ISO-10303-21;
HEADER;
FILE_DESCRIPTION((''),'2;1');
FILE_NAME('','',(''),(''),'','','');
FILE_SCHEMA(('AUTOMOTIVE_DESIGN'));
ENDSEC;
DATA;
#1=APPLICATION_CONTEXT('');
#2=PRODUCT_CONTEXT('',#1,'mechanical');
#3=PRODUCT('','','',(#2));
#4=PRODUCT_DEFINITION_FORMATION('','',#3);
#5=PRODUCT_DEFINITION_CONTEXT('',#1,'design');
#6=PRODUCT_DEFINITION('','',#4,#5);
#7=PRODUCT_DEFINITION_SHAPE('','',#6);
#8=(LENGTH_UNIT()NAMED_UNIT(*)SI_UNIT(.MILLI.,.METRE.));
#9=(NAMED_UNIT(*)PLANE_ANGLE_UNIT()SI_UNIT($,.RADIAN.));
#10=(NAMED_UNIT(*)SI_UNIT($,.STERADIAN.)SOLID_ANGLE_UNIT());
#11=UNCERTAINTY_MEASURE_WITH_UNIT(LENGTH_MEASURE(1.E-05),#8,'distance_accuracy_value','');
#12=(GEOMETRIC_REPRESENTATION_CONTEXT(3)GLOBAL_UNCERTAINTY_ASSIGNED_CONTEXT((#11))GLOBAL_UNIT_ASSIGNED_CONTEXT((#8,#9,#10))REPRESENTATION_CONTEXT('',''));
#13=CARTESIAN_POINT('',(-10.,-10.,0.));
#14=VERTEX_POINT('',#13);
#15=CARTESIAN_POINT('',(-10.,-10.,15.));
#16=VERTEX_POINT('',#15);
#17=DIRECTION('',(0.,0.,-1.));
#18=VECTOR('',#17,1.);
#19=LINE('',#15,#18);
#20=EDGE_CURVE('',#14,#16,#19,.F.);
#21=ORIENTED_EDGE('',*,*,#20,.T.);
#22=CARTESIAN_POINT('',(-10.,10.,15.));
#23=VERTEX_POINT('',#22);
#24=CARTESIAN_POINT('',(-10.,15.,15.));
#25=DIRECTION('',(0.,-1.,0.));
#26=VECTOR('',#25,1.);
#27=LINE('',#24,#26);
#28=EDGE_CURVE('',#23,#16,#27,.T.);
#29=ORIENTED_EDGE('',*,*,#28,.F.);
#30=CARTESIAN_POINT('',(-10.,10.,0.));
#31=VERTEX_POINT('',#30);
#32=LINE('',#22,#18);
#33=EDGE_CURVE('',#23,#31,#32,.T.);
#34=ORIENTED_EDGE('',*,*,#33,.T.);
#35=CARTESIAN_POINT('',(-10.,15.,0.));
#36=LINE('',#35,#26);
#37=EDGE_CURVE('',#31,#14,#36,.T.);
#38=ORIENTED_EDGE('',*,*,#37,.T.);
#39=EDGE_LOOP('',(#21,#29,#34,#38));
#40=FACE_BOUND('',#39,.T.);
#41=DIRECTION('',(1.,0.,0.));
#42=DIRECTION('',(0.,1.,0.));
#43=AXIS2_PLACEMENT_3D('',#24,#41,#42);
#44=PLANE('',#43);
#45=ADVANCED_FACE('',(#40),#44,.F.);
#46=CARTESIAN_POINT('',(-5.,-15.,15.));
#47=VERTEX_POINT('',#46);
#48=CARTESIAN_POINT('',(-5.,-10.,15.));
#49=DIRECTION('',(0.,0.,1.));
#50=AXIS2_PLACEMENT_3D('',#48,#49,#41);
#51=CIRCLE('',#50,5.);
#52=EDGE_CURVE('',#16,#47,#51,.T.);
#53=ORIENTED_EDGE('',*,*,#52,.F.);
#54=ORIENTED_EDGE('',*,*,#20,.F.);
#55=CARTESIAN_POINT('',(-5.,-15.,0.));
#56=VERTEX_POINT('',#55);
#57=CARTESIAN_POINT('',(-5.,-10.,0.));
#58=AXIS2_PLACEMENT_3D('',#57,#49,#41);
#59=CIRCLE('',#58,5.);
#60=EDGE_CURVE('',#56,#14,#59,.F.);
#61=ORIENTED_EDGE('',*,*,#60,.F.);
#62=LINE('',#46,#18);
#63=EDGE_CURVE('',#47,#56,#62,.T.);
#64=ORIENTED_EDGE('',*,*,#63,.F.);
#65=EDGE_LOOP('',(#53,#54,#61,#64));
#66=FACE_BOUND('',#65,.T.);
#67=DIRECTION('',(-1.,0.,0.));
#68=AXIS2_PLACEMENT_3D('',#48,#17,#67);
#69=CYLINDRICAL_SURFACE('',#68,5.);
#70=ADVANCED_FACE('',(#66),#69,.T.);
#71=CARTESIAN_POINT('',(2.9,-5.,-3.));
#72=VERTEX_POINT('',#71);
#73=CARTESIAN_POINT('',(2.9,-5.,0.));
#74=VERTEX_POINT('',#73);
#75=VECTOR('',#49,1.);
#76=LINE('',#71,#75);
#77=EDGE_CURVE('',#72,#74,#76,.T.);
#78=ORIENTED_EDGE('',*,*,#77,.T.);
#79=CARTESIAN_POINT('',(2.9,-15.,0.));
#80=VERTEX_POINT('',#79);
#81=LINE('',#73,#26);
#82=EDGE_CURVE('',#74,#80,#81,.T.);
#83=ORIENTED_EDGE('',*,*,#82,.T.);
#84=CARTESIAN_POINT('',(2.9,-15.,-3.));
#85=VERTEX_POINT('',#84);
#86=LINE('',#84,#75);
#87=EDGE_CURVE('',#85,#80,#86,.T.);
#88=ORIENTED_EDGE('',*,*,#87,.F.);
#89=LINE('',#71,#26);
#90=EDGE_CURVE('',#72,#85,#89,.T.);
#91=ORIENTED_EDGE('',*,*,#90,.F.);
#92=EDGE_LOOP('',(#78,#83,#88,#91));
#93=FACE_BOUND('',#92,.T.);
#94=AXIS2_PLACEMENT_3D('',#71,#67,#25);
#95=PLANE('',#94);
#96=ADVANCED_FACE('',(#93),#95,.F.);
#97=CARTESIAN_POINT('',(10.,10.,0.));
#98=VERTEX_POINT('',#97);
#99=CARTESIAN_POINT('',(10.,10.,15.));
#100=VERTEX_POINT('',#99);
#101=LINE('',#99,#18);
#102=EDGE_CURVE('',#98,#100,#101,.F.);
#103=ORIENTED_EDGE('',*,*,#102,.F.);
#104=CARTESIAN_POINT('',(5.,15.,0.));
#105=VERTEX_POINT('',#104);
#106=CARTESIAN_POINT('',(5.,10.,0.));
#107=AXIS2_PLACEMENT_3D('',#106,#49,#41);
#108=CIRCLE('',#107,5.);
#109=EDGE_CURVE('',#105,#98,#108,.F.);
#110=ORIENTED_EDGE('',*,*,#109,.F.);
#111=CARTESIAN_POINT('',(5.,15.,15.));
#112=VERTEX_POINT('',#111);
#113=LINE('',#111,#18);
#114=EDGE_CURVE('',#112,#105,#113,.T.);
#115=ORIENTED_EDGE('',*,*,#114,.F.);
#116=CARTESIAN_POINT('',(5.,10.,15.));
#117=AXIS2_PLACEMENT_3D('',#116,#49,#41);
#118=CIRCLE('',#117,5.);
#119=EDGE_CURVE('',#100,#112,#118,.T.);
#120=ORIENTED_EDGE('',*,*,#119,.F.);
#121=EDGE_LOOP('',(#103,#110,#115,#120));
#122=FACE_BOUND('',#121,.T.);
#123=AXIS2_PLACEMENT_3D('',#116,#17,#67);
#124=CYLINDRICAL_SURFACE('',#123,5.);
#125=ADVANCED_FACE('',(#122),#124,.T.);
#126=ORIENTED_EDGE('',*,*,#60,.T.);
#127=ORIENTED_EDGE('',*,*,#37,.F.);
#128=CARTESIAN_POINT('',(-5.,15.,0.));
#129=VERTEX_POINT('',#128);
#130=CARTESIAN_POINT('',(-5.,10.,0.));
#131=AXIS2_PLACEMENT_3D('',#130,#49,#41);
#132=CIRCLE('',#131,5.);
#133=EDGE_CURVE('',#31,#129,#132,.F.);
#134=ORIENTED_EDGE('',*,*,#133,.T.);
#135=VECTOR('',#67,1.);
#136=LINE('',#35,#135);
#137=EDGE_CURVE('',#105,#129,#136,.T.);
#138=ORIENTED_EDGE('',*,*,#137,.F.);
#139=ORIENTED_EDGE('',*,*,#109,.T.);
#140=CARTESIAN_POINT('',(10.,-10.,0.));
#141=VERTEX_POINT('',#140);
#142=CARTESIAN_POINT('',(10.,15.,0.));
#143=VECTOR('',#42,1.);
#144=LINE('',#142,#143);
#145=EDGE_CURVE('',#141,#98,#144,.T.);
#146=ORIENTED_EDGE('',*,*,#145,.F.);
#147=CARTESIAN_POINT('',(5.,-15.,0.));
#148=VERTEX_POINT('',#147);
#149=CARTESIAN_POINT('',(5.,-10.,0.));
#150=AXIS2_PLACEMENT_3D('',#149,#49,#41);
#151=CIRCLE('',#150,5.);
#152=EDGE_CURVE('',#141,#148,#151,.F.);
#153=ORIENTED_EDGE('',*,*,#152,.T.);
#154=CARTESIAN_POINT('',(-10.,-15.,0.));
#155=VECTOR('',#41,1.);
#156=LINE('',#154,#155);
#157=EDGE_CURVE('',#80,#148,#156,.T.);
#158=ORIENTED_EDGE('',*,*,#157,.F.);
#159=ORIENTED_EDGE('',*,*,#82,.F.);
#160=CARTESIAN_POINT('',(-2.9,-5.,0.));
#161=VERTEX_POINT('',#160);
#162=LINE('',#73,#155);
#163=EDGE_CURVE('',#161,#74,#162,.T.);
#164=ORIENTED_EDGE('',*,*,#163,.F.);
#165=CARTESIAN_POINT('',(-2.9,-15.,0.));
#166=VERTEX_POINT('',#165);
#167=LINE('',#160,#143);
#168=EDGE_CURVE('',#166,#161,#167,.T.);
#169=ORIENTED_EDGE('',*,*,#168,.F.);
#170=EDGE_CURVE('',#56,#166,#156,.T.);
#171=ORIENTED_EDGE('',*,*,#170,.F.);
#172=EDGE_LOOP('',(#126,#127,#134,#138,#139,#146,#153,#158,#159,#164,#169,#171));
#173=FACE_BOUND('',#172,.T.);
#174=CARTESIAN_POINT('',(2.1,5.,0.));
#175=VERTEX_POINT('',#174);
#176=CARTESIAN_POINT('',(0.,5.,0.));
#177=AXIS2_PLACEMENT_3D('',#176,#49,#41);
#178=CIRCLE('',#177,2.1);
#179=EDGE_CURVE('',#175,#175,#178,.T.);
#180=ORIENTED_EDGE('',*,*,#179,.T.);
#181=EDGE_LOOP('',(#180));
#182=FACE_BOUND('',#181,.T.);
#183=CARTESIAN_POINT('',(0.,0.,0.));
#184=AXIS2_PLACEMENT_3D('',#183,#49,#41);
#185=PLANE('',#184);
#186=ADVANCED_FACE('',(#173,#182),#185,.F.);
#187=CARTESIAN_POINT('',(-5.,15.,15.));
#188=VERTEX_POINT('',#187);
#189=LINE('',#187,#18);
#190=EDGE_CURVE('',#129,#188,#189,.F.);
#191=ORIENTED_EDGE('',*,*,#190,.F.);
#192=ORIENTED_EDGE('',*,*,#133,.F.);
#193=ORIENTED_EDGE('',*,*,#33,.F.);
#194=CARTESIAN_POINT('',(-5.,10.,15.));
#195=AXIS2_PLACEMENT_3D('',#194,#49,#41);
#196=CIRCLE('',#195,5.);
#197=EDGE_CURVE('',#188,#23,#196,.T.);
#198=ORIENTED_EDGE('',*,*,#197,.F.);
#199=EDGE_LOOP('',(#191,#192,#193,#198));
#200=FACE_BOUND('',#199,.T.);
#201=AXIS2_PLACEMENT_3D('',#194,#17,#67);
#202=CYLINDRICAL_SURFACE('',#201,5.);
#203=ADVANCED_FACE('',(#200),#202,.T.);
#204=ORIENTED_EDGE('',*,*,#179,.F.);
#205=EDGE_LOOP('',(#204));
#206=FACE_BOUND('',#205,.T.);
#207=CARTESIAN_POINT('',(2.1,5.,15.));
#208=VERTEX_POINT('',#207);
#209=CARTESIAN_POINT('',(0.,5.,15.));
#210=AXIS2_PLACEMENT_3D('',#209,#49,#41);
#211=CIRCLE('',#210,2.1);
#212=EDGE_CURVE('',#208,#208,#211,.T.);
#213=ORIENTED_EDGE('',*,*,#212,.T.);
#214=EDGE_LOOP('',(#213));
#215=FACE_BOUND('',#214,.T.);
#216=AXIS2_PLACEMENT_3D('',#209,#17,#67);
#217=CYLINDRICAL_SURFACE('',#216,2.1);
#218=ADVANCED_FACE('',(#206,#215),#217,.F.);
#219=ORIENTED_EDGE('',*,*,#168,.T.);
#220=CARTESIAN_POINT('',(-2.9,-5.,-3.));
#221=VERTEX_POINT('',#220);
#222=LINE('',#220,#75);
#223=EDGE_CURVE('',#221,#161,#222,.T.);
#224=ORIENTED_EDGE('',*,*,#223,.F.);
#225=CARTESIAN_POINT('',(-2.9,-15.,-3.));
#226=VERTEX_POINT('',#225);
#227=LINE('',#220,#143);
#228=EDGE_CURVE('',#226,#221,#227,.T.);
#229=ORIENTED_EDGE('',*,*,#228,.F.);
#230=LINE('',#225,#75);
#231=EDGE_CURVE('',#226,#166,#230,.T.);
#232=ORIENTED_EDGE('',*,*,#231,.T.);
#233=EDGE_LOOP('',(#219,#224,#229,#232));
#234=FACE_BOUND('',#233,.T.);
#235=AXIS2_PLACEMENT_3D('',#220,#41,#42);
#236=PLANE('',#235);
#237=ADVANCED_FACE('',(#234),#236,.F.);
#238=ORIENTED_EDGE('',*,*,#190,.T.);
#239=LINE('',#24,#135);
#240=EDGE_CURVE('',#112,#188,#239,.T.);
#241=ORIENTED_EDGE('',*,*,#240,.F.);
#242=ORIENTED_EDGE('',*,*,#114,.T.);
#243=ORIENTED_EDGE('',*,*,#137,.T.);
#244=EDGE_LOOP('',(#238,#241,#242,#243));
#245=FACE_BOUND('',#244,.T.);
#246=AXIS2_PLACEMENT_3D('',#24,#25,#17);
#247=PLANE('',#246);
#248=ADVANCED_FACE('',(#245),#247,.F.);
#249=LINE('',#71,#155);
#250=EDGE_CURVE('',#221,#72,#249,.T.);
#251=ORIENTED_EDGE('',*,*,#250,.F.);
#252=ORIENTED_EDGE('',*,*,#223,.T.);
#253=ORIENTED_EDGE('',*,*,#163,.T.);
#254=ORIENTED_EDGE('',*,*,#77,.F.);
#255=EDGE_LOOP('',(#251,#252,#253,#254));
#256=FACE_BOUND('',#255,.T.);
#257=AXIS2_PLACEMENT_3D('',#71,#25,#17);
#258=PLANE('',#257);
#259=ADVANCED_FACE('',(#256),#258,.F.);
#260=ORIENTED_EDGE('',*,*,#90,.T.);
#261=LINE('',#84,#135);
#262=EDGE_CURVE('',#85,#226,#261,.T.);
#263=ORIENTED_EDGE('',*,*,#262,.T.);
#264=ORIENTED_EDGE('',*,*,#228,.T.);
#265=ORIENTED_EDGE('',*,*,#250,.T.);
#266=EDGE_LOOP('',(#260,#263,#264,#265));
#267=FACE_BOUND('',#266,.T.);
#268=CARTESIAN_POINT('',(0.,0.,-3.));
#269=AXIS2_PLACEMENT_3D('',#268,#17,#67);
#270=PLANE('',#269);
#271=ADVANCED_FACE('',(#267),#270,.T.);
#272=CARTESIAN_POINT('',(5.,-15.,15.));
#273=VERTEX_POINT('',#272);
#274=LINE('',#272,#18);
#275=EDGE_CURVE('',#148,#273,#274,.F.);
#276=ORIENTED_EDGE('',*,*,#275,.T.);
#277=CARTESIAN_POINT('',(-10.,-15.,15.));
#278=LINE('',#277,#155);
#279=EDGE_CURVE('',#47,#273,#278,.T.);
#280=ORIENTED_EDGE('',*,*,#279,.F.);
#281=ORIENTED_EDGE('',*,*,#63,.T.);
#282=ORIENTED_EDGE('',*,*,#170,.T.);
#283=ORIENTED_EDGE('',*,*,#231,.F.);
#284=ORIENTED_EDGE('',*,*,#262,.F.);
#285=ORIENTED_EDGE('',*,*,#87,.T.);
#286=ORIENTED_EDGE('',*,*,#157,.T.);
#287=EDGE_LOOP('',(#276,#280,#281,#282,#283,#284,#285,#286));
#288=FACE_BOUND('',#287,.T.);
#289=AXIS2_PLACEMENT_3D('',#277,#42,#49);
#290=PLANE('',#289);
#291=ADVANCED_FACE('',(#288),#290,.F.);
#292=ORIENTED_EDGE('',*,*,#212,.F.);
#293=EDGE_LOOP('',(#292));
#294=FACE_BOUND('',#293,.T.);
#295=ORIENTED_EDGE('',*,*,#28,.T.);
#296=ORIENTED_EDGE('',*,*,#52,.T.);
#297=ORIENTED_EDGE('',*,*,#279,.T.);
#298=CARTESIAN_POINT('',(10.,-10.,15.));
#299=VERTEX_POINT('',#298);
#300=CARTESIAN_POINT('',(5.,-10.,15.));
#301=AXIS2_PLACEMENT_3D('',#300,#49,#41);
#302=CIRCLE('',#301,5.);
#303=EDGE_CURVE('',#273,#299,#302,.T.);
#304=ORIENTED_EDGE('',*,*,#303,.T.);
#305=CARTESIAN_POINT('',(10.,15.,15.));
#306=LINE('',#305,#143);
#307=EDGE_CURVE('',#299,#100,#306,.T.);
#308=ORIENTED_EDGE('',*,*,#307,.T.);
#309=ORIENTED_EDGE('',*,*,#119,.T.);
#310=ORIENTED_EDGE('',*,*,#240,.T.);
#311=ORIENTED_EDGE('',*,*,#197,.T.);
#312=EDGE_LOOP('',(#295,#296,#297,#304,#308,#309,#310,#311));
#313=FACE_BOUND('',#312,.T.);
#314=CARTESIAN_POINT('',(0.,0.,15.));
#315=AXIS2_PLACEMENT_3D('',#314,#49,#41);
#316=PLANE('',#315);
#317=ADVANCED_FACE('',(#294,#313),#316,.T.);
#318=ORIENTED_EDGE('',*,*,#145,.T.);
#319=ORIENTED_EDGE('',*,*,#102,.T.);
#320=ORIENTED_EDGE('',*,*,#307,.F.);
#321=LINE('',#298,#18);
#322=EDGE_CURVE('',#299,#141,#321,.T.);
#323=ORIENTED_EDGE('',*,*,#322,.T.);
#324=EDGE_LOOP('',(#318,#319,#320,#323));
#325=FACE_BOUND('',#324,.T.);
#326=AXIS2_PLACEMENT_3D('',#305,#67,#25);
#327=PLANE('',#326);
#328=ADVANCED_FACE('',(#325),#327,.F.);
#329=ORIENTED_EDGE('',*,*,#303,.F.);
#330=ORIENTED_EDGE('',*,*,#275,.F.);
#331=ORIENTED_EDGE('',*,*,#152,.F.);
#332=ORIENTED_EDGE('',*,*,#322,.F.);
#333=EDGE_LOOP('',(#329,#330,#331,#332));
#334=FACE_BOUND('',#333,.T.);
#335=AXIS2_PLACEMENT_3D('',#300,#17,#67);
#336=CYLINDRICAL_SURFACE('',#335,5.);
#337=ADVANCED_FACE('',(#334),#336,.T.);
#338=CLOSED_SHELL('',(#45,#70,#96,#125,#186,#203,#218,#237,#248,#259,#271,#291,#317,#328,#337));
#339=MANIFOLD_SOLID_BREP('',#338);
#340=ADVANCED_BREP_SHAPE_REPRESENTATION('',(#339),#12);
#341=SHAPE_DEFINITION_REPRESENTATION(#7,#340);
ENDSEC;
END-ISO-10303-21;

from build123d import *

# Parameters (mm, degrees)
SKETCH_2_W      = 20
SKETCH_2_H      = 30
SKETCH_2_R      = 2.1
EXTRUDE_1_DEPTH = 15
SKETCH_3_W      = 5.8
SKETCH_3_H      = 10
EXTRUDE_2_DEPTH = 3
FILLET_1_R      = 5


with BuildPart() as part:
    # ｽｹｯﾁ2 → ﾎﾞｽ - 押し出し1 (new body)
    with BuildSketch(Plane.XY):
        Rectangle(SKETCH_2_W, SKETCH_2_H)
        with Locations((0, 5)):
            Circle(SKETCH_2_R, mode=Mode.SUBTRACT)
    extrude(amount=EXTRUDE_1_DEPTH)

    # ｽｹｯﾁ3 → ﾎﾞｽ - 押し出し2 (add)
    with BuildSketch(Plane(origin=(0, 0, 0), x_dir=(-1, 0, 0), z_dir=(0, 0, -1))):
        with Locations((0, -10)):
            Rectangle(SKETCH_3_W, SKETCH_3_H)
    extrude(amount=EXTRUDE_2_DEPTH)

    # ﾌｨﾚｯﾄ1
    fillet_1_edges = [part.edges().sort_by_distance(p)[0] for p in [
        (10, -15, 7.5),
        (-10, -15, 7.5),
        (-10, 15, 7.5),
        (10, 15, 7.5),
    ]]
    fillet(fillet_1_edges, radius=FILLET_1_R)


solid = part.part
